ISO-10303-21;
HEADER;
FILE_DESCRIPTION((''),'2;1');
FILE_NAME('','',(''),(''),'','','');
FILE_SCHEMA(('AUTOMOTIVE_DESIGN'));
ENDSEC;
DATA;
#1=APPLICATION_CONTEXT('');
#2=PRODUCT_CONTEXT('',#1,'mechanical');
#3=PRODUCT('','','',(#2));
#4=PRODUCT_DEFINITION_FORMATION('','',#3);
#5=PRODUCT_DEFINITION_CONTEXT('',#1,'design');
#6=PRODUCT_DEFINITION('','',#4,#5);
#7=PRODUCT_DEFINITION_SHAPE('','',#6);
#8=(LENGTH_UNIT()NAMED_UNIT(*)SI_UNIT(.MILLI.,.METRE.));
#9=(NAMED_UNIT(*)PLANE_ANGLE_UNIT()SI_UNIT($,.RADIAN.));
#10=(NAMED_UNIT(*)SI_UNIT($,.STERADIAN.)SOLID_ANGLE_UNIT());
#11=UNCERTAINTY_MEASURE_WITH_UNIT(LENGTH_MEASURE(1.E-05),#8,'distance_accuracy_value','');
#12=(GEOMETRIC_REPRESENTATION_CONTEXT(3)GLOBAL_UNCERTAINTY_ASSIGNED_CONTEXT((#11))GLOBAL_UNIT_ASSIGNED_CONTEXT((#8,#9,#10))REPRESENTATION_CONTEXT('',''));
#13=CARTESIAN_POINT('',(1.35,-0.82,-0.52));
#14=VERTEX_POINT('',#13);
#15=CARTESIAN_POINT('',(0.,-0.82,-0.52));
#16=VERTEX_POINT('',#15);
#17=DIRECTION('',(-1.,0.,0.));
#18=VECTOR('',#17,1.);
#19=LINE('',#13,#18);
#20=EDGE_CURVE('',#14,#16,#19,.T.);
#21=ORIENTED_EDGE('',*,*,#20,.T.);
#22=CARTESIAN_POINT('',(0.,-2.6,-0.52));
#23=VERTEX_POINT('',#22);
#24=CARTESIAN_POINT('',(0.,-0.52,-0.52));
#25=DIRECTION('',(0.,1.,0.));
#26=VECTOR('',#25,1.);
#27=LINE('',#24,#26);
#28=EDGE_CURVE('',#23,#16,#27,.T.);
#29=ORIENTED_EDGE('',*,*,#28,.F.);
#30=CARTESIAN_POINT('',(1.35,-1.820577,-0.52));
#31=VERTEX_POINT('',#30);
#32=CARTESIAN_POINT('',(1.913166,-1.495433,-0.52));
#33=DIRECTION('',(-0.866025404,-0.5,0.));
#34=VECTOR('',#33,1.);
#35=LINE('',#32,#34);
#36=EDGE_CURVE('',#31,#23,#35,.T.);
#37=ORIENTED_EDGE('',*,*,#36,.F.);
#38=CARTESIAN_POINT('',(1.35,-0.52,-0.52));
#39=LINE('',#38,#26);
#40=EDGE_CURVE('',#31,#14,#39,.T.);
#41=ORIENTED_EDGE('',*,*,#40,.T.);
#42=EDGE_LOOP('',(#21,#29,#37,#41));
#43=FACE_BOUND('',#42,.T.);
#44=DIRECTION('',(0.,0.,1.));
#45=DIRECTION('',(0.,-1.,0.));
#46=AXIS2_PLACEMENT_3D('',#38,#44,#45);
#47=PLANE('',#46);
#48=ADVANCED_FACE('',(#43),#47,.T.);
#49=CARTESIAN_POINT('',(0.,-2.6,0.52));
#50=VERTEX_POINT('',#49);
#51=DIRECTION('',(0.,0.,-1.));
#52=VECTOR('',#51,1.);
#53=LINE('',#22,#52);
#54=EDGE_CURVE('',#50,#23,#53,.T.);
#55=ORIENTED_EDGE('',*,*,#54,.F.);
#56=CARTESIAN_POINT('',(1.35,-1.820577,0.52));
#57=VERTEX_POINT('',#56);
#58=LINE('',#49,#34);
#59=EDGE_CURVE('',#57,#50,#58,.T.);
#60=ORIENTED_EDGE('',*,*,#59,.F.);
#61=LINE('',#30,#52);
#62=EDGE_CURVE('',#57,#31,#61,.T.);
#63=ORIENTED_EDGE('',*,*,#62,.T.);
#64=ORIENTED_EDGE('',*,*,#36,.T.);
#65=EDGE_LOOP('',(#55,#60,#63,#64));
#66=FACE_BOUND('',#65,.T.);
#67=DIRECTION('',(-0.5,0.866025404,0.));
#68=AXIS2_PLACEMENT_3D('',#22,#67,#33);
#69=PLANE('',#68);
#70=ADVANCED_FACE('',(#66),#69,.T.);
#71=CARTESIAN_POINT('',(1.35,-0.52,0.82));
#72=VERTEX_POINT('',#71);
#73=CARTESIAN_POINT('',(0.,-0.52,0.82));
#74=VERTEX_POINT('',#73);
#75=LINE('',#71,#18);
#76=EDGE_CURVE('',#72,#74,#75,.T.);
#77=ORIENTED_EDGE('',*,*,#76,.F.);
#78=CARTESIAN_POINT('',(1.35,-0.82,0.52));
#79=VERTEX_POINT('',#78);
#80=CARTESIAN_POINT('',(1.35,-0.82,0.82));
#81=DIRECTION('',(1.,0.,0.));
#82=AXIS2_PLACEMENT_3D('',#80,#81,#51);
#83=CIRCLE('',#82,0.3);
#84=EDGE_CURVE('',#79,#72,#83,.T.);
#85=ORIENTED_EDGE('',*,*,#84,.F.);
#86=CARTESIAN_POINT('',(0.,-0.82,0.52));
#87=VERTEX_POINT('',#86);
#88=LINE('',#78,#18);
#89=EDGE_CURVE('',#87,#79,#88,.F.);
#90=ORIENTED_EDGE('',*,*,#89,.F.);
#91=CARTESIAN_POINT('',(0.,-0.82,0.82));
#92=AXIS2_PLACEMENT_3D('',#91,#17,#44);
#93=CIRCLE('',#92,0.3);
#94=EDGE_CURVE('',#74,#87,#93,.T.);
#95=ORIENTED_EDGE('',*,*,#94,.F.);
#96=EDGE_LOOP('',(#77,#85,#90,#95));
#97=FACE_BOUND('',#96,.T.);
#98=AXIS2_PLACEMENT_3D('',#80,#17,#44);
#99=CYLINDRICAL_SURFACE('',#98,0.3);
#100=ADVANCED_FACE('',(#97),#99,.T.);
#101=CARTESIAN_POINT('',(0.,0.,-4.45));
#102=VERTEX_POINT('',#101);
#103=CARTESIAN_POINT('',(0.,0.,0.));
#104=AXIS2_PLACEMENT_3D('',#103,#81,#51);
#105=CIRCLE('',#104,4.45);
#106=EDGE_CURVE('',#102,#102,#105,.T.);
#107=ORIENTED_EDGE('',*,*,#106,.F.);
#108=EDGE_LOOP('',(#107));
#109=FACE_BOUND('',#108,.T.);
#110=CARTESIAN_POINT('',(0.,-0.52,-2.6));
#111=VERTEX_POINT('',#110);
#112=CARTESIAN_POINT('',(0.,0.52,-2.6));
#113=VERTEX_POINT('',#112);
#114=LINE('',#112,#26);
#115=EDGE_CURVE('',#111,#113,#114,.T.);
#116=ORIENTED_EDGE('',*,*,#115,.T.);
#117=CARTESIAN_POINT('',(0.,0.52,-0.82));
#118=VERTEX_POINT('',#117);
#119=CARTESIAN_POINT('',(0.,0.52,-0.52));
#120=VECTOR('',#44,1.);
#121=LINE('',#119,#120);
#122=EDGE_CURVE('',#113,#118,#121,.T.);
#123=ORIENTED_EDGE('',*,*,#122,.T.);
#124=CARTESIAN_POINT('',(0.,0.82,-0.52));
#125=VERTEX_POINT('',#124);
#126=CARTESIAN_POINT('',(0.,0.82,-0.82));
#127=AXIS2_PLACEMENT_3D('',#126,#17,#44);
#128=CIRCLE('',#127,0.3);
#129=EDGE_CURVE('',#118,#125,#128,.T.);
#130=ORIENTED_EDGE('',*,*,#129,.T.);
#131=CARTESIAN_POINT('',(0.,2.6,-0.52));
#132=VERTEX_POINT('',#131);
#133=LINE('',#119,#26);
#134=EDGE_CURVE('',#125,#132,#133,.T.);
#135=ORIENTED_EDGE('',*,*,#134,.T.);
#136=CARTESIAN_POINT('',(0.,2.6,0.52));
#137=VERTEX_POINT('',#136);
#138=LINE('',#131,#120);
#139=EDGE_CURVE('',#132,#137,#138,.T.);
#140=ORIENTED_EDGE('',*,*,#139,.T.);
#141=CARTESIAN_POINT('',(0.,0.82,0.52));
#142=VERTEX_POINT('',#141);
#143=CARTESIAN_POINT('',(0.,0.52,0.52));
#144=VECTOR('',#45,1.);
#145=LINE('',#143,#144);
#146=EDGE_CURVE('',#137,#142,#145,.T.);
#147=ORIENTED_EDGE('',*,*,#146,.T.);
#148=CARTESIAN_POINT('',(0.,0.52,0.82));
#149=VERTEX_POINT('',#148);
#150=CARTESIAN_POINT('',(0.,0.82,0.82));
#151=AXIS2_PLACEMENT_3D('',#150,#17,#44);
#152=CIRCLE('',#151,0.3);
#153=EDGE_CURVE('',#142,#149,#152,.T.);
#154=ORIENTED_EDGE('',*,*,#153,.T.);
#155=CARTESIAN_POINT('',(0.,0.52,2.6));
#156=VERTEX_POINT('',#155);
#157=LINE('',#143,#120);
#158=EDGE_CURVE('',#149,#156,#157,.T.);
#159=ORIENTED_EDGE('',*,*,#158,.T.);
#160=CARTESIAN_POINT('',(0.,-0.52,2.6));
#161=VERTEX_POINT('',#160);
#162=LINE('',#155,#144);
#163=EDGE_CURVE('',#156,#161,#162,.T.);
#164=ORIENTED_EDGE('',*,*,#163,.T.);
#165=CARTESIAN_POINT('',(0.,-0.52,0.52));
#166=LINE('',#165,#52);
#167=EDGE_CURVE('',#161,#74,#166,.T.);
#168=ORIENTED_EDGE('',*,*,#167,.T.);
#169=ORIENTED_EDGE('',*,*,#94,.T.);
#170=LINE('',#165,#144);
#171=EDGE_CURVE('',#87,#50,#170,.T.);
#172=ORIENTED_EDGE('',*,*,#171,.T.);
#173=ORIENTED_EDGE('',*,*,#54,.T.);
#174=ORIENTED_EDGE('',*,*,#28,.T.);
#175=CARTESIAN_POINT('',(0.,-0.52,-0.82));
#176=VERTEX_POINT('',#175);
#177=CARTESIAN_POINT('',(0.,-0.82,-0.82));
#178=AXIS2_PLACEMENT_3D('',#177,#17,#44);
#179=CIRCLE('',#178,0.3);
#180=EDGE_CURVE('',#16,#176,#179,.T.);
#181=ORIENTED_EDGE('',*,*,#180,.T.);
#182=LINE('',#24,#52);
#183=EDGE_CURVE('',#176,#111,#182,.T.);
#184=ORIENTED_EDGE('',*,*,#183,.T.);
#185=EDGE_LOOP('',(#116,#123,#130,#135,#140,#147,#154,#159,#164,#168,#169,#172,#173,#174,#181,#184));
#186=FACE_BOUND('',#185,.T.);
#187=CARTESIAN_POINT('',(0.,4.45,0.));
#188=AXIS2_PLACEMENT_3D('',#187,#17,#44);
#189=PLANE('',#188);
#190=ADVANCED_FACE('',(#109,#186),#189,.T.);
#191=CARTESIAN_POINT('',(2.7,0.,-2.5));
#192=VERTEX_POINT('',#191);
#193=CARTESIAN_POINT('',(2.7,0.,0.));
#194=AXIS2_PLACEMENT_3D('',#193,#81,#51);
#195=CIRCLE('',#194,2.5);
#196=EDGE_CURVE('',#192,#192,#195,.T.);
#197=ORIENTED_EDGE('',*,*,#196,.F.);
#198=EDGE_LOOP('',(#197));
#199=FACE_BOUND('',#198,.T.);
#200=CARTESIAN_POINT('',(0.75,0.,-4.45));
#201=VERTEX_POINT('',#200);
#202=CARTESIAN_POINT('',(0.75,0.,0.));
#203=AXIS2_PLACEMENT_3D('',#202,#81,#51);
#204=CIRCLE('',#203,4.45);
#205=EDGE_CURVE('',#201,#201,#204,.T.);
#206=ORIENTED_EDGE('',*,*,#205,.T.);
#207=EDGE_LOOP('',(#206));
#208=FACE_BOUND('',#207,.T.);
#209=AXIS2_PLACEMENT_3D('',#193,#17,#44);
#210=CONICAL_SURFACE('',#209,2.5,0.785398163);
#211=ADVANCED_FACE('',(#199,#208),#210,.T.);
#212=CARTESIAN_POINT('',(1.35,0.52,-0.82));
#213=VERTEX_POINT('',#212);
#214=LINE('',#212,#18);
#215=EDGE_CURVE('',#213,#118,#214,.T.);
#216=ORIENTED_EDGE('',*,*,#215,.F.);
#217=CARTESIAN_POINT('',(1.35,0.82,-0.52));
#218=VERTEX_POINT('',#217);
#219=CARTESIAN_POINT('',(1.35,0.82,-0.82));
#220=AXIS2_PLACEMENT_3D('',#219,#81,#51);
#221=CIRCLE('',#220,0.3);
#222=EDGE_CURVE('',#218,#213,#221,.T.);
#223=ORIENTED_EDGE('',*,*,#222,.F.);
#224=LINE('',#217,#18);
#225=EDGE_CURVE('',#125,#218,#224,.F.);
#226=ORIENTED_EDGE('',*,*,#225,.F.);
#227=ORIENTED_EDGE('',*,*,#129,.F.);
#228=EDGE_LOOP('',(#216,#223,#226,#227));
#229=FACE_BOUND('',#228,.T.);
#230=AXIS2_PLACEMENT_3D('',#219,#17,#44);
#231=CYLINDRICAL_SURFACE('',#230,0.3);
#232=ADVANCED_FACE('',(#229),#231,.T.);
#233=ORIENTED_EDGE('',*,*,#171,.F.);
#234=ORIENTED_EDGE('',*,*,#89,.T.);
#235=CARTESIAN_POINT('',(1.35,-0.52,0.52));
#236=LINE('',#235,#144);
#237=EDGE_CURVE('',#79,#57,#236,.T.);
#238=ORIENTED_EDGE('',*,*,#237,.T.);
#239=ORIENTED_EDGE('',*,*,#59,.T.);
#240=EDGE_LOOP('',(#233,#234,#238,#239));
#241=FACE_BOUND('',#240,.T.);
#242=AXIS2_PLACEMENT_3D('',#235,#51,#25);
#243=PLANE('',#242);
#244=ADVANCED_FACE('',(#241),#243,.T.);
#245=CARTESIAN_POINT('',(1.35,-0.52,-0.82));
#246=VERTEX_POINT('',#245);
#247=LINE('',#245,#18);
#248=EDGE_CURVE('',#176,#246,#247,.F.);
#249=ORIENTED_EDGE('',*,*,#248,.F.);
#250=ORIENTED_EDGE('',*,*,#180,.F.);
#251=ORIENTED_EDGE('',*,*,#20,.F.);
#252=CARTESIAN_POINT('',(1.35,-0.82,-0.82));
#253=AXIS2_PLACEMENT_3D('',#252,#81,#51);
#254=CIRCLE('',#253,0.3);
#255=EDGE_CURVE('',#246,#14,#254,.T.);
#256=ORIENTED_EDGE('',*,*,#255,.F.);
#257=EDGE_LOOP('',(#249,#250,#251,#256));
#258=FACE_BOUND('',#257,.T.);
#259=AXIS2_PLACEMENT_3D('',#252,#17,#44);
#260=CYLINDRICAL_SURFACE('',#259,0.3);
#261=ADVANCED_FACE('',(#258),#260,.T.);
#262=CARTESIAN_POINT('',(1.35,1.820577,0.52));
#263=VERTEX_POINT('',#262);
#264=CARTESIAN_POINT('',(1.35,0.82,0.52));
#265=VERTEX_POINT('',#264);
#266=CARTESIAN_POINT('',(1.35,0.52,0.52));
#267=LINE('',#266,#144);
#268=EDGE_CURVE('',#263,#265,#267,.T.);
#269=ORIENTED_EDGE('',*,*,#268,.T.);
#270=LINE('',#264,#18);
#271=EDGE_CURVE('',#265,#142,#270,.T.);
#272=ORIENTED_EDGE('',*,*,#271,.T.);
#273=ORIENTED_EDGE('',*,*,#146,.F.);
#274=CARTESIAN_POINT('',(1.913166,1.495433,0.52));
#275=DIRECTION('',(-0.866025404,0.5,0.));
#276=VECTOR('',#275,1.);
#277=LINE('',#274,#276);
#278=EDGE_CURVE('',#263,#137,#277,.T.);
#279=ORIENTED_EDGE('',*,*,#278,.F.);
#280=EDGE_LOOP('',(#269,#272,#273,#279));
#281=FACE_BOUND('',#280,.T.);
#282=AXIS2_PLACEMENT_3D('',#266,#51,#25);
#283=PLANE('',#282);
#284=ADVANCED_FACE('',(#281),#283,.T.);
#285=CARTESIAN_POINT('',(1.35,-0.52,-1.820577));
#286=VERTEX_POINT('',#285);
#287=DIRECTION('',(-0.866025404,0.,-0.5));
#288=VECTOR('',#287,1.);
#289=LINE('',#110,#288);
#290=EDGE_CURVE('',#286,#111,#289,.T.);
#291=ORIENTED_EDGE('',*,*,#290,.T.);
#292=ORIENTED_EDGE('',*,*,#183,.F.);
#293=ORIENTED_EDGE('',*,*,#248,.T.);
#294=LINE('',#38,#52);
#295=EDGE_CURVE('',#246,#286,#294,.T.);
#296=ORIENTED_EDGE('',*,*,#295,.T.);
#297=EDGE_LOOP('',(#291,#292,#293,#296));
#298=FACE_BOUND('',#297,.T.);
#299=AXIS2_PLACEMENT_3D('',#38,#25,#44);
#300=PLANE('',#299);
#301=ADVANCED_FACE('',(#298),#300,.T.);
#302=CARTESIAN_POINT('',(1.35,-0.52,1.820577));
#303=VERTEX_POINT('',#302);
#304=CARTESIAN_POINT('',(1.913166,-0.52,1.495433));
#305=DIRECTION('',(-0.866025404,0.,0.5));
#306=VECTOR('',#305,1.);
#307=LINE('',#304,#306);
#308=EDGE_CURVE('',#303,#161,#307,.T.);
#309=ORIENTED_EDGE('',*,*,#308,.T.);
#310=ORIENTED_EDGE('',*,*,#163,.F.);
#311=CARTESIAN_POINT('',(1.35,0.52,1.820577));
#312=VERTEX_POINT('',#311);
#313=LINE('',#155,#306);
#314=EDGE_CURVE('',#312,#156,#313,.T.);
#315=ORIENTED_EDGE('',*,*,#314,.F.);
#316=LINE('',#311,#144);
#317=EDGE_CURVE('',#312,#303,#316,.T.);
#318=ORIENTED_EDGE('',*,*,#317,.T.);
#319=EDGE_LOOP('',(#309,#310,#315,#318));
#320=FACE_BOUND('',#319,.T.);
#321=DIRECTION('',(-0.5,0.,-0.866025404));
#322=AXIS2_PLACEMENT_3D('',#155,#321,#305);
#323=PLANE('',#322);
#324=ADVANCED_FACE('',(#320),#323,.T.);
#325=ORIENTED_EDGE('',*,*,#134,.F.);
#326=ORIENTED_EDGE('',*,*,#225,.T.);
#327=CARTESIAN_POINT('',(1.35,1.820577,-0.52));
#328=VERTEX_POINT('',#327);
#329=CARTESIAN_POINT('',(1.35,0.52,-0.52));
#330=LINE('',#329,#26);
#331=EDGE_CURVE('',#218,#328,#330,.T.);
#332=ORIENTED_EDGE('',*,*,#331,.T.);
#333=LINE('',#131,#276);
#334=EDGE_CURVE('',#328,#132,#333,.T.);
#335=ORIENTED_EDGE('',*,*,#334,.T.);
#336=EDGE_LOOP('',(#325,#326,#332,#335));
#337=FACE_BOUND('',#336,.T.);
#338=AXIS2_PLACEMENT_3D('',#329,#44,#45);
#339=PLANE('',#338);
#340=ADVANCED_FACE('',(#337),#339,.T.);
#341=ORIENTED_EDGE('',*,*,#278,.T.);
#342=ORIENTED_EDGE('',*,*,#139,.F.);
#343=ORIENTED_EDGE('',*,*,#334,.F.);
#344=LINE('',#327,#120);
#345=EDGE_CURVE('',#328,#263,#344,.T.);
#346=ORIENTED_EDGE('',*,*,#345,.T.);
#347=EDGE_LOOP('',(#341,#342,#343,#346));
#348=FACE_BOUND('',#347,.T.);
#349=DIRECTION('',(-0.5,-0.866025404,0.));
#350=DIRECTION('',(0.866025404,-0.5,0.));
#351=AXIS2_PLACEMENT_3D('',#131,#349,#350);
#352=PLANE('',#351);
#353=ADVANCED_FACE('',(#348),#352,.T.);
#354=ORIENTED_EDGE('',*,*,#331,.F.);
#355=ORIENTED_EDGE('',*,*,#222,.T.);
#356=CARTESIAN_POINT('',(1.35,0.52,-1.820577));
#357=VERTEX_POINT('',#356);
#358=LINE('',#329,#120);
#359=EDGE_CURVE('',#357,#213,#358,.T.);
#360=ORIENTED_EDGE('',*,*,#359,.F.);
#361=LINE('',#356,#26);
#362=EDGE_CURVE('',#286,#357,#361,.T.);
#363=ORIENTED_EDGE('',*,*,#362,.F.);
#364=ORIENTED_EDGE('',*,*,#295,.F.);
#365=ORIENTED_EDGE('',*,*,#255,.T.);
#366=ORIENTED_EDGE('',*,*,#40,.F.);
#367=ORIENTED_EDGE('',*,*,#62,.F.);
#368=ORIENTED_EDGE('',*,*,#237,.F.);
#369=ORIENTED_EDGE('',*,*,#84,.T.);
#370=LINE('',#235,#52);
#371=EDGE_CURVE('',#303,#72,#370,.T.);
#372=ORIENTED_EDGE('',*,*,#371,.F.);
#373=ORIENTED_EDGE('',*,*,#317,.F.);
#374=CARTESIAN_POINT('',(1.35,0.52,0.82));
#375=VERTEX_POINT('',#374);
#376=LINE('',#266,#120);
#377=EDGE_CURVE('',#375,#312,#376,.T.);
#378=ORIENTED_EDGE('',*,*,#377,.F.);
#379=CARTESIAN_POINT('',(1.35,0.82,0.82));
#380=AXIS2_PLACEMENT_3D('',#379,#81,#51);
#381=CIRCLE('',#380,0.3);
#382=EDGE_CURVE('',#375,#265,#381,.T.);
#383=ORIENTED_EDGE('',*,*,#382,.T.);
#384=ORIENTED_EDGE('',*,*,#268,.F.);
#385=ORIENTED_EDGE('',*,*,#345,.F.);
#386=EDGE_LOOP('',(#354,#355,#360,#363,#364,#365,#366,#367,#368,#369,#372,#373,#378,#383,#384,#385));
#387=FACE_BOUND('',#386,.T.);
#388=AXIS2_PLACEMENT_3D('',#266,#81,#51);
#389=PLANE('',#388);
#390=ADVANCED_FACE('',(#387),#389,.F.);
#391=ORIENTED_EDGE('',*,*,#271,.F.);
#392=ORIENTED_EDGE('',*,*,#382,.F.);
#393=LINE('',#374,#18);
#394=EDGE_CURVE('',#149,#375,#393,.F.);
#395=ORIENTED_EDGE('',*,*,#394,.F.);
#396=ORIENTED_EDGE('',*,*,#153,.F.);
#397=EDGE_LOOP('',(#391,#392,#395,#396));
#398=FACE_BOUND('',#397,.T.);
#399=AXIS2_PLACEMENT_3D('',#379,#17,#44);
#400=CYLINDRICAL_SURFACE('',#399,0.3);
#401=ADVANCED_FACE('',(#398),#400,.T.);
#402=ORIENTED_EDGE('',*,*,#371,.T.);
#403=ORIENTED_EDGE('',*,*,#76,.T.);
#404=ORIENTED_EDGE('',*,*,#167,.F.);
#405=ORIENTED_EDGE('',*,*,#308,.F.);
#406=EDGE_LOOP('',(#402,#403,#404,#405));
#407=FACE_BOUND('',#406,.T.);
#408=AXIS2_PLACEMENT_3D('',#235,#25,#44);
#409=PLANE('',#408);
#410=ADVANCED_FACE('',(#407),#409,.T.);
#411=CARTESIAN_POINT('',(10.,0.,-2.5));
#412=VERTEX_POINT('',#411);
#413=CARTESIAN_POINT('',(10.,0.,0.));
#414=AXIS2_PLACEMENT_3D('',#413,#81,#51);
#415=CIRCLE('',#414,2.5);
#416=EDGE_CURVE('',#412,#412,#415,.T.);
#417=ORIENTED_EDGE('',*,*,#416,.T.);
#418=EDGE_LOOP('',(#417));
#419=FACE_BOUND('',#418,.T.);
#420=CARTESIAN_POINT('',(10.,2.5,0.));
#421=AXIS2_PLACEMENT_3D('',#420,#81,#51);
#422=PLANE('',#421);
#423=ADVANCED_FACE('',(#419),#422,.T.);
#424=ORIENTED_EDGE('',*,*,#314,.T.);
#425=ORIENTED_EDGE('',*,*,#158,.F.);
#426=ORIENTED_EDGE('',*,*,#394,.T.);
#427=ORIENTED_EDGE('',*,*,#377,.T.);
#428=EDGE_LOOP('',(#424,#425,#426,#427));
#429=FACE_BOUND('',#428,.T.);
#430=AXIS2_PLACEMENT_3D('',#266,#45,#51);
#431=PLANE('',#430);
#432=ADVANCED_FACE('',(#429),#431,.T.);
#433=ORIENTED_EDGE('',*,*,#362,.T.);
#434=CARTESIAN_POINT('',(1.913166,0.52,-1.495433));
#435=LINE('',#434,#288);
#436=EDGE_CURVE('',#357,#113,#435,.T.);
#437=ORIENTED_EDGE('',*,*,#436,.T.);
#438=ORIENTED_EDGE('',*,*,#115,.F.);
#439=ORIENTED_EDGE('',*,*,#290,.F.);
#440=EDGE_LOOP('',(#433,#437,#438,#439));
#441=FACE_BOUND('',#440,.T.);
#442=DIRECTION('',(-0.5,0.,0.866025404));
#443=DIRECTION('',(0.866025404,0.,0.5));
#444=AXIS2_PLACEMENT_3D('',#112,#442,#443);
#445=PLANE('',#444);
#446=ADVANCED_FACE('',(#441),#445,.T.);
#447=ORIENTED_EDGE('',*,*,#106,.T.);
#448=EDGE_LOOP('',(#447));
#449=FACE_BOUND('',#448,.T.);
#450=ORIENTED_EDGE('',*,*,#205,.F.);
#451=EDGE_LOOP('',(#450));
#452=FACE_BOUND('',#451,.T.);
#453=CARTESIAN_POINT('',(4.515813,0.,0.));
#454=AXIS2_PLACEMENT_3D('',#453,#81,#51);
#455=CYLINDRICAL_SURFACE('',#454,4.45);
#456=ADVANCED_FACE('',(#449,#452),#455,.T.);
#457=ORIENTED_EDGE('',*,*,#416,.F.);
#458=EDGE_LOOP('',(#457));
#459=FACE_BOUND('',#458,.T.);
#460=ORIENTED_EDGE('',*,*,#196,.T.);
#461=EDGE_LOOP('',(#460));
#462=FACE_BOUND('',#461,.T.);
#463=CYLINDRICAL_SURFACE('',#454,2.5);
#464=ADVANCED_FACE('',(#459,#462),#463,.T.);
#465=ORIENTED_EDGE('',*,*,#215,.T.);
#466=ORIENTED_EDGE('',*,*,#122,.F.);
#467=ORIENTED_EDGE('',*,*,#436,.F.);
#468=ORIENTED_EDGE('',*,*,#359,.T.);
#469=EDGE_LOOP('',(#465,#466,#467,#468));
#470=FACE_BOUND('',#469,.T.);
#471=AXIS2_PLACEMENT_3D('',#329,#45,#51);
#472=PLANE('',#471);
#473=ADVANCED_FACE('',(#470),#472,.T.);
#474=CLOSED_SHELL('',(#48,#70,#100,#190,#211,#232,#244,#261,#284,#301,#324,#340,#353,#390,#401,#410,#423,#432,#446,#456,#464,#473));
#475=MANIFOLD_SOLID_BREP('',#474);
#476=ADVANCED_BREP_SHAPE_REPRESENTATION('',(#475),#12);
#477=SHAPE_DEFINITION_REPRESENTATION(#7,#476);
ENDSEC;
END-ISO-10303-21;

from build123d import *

# Parameters (mm, degrees)
CROSSRECESS_DEPTH = 1.35
DRAFT9_ANGLE      = 30
FILLET5_R         = 0.3
SKETCH10_W        = 0.8
SKETCH10_H        = 2.5


with BuildPart() as part:
    # Sketch1 → Base (revolve)
    with BuildSketch(Plane.XY, mode=Mode.PRIVATE) as base_sk:
        Polygon((10, 2.5), (4.3, 2.5), (2.7, 2.5), (0.75, 4.45), (0, 4.45), (0, 0), (10, 0), align=None)
    revolve(base_sk.sketch.rotate(Axis((4.515812911, 0, 0), (-1, 0, 0)), 90), axis=Axis((4.515812911, 0, 0), (-1, 0, 0)))

    # Sketch6 → CrossRecess (cut)
    with BuildSketch(Plane(origin=(0, 0, 0), x_dir=(0, 0, -1), z_dir=(1, 0, 0))):
        Polygon((0.52, 0.52), (0.52, 2.6), (-0.52, 2.6), (-0.52, 0.52), (-2.6, 0.52), (-2.6, -0.52), (-0.52, -0.52), (-0.52, -2.6), (0.52, -2.6), (0.52, -0.52), (2.6, -0.52), (2.6, 0.52), align=None)
    extrude(amount=CROSSRECESS_DEPTH, mode=Mode.SUBTRACT)

    # Draft9
    draft9_faces = [part.faces().sort_by_distance(p)[0] for p in [
        (0.675, -2.6, 0),
        (0.675, 0, 2.6),
        (0.675, 0, -2.6),
        (0.675, 2.6, 0),
    ]]
    draft(draft9_faces, Plane(origin=(0, 4.45, 0), x_dir=(0, 0, -1), z_dir=(-1, 0, 0)), DRAFT9_ANGLE)

    # Fillet5
    fillet5_edges = [part.edges().sort_by_distance(p)[0] for p in [
        (0.675, 0.52, 0.52),
        (0.675, -0.52, 0.52),
        (0.675, -0.52, -0.52),
        (0.675, 0.52, -0.52),
    ]]
    fillet(fillet5_edges, radius=FILLET5_R)

    # Sketch10 → Revolve2 (revolve)
    with BuildSketch(Plane.XY):
        with Locations((3.1, 1.25)):
            Rectangle(SKETCH10_W, SKETCH10_H)
    revolve(axis=Axis((62.228915663, 0, 0), (-1, 0, 0)))


solid = part.part
